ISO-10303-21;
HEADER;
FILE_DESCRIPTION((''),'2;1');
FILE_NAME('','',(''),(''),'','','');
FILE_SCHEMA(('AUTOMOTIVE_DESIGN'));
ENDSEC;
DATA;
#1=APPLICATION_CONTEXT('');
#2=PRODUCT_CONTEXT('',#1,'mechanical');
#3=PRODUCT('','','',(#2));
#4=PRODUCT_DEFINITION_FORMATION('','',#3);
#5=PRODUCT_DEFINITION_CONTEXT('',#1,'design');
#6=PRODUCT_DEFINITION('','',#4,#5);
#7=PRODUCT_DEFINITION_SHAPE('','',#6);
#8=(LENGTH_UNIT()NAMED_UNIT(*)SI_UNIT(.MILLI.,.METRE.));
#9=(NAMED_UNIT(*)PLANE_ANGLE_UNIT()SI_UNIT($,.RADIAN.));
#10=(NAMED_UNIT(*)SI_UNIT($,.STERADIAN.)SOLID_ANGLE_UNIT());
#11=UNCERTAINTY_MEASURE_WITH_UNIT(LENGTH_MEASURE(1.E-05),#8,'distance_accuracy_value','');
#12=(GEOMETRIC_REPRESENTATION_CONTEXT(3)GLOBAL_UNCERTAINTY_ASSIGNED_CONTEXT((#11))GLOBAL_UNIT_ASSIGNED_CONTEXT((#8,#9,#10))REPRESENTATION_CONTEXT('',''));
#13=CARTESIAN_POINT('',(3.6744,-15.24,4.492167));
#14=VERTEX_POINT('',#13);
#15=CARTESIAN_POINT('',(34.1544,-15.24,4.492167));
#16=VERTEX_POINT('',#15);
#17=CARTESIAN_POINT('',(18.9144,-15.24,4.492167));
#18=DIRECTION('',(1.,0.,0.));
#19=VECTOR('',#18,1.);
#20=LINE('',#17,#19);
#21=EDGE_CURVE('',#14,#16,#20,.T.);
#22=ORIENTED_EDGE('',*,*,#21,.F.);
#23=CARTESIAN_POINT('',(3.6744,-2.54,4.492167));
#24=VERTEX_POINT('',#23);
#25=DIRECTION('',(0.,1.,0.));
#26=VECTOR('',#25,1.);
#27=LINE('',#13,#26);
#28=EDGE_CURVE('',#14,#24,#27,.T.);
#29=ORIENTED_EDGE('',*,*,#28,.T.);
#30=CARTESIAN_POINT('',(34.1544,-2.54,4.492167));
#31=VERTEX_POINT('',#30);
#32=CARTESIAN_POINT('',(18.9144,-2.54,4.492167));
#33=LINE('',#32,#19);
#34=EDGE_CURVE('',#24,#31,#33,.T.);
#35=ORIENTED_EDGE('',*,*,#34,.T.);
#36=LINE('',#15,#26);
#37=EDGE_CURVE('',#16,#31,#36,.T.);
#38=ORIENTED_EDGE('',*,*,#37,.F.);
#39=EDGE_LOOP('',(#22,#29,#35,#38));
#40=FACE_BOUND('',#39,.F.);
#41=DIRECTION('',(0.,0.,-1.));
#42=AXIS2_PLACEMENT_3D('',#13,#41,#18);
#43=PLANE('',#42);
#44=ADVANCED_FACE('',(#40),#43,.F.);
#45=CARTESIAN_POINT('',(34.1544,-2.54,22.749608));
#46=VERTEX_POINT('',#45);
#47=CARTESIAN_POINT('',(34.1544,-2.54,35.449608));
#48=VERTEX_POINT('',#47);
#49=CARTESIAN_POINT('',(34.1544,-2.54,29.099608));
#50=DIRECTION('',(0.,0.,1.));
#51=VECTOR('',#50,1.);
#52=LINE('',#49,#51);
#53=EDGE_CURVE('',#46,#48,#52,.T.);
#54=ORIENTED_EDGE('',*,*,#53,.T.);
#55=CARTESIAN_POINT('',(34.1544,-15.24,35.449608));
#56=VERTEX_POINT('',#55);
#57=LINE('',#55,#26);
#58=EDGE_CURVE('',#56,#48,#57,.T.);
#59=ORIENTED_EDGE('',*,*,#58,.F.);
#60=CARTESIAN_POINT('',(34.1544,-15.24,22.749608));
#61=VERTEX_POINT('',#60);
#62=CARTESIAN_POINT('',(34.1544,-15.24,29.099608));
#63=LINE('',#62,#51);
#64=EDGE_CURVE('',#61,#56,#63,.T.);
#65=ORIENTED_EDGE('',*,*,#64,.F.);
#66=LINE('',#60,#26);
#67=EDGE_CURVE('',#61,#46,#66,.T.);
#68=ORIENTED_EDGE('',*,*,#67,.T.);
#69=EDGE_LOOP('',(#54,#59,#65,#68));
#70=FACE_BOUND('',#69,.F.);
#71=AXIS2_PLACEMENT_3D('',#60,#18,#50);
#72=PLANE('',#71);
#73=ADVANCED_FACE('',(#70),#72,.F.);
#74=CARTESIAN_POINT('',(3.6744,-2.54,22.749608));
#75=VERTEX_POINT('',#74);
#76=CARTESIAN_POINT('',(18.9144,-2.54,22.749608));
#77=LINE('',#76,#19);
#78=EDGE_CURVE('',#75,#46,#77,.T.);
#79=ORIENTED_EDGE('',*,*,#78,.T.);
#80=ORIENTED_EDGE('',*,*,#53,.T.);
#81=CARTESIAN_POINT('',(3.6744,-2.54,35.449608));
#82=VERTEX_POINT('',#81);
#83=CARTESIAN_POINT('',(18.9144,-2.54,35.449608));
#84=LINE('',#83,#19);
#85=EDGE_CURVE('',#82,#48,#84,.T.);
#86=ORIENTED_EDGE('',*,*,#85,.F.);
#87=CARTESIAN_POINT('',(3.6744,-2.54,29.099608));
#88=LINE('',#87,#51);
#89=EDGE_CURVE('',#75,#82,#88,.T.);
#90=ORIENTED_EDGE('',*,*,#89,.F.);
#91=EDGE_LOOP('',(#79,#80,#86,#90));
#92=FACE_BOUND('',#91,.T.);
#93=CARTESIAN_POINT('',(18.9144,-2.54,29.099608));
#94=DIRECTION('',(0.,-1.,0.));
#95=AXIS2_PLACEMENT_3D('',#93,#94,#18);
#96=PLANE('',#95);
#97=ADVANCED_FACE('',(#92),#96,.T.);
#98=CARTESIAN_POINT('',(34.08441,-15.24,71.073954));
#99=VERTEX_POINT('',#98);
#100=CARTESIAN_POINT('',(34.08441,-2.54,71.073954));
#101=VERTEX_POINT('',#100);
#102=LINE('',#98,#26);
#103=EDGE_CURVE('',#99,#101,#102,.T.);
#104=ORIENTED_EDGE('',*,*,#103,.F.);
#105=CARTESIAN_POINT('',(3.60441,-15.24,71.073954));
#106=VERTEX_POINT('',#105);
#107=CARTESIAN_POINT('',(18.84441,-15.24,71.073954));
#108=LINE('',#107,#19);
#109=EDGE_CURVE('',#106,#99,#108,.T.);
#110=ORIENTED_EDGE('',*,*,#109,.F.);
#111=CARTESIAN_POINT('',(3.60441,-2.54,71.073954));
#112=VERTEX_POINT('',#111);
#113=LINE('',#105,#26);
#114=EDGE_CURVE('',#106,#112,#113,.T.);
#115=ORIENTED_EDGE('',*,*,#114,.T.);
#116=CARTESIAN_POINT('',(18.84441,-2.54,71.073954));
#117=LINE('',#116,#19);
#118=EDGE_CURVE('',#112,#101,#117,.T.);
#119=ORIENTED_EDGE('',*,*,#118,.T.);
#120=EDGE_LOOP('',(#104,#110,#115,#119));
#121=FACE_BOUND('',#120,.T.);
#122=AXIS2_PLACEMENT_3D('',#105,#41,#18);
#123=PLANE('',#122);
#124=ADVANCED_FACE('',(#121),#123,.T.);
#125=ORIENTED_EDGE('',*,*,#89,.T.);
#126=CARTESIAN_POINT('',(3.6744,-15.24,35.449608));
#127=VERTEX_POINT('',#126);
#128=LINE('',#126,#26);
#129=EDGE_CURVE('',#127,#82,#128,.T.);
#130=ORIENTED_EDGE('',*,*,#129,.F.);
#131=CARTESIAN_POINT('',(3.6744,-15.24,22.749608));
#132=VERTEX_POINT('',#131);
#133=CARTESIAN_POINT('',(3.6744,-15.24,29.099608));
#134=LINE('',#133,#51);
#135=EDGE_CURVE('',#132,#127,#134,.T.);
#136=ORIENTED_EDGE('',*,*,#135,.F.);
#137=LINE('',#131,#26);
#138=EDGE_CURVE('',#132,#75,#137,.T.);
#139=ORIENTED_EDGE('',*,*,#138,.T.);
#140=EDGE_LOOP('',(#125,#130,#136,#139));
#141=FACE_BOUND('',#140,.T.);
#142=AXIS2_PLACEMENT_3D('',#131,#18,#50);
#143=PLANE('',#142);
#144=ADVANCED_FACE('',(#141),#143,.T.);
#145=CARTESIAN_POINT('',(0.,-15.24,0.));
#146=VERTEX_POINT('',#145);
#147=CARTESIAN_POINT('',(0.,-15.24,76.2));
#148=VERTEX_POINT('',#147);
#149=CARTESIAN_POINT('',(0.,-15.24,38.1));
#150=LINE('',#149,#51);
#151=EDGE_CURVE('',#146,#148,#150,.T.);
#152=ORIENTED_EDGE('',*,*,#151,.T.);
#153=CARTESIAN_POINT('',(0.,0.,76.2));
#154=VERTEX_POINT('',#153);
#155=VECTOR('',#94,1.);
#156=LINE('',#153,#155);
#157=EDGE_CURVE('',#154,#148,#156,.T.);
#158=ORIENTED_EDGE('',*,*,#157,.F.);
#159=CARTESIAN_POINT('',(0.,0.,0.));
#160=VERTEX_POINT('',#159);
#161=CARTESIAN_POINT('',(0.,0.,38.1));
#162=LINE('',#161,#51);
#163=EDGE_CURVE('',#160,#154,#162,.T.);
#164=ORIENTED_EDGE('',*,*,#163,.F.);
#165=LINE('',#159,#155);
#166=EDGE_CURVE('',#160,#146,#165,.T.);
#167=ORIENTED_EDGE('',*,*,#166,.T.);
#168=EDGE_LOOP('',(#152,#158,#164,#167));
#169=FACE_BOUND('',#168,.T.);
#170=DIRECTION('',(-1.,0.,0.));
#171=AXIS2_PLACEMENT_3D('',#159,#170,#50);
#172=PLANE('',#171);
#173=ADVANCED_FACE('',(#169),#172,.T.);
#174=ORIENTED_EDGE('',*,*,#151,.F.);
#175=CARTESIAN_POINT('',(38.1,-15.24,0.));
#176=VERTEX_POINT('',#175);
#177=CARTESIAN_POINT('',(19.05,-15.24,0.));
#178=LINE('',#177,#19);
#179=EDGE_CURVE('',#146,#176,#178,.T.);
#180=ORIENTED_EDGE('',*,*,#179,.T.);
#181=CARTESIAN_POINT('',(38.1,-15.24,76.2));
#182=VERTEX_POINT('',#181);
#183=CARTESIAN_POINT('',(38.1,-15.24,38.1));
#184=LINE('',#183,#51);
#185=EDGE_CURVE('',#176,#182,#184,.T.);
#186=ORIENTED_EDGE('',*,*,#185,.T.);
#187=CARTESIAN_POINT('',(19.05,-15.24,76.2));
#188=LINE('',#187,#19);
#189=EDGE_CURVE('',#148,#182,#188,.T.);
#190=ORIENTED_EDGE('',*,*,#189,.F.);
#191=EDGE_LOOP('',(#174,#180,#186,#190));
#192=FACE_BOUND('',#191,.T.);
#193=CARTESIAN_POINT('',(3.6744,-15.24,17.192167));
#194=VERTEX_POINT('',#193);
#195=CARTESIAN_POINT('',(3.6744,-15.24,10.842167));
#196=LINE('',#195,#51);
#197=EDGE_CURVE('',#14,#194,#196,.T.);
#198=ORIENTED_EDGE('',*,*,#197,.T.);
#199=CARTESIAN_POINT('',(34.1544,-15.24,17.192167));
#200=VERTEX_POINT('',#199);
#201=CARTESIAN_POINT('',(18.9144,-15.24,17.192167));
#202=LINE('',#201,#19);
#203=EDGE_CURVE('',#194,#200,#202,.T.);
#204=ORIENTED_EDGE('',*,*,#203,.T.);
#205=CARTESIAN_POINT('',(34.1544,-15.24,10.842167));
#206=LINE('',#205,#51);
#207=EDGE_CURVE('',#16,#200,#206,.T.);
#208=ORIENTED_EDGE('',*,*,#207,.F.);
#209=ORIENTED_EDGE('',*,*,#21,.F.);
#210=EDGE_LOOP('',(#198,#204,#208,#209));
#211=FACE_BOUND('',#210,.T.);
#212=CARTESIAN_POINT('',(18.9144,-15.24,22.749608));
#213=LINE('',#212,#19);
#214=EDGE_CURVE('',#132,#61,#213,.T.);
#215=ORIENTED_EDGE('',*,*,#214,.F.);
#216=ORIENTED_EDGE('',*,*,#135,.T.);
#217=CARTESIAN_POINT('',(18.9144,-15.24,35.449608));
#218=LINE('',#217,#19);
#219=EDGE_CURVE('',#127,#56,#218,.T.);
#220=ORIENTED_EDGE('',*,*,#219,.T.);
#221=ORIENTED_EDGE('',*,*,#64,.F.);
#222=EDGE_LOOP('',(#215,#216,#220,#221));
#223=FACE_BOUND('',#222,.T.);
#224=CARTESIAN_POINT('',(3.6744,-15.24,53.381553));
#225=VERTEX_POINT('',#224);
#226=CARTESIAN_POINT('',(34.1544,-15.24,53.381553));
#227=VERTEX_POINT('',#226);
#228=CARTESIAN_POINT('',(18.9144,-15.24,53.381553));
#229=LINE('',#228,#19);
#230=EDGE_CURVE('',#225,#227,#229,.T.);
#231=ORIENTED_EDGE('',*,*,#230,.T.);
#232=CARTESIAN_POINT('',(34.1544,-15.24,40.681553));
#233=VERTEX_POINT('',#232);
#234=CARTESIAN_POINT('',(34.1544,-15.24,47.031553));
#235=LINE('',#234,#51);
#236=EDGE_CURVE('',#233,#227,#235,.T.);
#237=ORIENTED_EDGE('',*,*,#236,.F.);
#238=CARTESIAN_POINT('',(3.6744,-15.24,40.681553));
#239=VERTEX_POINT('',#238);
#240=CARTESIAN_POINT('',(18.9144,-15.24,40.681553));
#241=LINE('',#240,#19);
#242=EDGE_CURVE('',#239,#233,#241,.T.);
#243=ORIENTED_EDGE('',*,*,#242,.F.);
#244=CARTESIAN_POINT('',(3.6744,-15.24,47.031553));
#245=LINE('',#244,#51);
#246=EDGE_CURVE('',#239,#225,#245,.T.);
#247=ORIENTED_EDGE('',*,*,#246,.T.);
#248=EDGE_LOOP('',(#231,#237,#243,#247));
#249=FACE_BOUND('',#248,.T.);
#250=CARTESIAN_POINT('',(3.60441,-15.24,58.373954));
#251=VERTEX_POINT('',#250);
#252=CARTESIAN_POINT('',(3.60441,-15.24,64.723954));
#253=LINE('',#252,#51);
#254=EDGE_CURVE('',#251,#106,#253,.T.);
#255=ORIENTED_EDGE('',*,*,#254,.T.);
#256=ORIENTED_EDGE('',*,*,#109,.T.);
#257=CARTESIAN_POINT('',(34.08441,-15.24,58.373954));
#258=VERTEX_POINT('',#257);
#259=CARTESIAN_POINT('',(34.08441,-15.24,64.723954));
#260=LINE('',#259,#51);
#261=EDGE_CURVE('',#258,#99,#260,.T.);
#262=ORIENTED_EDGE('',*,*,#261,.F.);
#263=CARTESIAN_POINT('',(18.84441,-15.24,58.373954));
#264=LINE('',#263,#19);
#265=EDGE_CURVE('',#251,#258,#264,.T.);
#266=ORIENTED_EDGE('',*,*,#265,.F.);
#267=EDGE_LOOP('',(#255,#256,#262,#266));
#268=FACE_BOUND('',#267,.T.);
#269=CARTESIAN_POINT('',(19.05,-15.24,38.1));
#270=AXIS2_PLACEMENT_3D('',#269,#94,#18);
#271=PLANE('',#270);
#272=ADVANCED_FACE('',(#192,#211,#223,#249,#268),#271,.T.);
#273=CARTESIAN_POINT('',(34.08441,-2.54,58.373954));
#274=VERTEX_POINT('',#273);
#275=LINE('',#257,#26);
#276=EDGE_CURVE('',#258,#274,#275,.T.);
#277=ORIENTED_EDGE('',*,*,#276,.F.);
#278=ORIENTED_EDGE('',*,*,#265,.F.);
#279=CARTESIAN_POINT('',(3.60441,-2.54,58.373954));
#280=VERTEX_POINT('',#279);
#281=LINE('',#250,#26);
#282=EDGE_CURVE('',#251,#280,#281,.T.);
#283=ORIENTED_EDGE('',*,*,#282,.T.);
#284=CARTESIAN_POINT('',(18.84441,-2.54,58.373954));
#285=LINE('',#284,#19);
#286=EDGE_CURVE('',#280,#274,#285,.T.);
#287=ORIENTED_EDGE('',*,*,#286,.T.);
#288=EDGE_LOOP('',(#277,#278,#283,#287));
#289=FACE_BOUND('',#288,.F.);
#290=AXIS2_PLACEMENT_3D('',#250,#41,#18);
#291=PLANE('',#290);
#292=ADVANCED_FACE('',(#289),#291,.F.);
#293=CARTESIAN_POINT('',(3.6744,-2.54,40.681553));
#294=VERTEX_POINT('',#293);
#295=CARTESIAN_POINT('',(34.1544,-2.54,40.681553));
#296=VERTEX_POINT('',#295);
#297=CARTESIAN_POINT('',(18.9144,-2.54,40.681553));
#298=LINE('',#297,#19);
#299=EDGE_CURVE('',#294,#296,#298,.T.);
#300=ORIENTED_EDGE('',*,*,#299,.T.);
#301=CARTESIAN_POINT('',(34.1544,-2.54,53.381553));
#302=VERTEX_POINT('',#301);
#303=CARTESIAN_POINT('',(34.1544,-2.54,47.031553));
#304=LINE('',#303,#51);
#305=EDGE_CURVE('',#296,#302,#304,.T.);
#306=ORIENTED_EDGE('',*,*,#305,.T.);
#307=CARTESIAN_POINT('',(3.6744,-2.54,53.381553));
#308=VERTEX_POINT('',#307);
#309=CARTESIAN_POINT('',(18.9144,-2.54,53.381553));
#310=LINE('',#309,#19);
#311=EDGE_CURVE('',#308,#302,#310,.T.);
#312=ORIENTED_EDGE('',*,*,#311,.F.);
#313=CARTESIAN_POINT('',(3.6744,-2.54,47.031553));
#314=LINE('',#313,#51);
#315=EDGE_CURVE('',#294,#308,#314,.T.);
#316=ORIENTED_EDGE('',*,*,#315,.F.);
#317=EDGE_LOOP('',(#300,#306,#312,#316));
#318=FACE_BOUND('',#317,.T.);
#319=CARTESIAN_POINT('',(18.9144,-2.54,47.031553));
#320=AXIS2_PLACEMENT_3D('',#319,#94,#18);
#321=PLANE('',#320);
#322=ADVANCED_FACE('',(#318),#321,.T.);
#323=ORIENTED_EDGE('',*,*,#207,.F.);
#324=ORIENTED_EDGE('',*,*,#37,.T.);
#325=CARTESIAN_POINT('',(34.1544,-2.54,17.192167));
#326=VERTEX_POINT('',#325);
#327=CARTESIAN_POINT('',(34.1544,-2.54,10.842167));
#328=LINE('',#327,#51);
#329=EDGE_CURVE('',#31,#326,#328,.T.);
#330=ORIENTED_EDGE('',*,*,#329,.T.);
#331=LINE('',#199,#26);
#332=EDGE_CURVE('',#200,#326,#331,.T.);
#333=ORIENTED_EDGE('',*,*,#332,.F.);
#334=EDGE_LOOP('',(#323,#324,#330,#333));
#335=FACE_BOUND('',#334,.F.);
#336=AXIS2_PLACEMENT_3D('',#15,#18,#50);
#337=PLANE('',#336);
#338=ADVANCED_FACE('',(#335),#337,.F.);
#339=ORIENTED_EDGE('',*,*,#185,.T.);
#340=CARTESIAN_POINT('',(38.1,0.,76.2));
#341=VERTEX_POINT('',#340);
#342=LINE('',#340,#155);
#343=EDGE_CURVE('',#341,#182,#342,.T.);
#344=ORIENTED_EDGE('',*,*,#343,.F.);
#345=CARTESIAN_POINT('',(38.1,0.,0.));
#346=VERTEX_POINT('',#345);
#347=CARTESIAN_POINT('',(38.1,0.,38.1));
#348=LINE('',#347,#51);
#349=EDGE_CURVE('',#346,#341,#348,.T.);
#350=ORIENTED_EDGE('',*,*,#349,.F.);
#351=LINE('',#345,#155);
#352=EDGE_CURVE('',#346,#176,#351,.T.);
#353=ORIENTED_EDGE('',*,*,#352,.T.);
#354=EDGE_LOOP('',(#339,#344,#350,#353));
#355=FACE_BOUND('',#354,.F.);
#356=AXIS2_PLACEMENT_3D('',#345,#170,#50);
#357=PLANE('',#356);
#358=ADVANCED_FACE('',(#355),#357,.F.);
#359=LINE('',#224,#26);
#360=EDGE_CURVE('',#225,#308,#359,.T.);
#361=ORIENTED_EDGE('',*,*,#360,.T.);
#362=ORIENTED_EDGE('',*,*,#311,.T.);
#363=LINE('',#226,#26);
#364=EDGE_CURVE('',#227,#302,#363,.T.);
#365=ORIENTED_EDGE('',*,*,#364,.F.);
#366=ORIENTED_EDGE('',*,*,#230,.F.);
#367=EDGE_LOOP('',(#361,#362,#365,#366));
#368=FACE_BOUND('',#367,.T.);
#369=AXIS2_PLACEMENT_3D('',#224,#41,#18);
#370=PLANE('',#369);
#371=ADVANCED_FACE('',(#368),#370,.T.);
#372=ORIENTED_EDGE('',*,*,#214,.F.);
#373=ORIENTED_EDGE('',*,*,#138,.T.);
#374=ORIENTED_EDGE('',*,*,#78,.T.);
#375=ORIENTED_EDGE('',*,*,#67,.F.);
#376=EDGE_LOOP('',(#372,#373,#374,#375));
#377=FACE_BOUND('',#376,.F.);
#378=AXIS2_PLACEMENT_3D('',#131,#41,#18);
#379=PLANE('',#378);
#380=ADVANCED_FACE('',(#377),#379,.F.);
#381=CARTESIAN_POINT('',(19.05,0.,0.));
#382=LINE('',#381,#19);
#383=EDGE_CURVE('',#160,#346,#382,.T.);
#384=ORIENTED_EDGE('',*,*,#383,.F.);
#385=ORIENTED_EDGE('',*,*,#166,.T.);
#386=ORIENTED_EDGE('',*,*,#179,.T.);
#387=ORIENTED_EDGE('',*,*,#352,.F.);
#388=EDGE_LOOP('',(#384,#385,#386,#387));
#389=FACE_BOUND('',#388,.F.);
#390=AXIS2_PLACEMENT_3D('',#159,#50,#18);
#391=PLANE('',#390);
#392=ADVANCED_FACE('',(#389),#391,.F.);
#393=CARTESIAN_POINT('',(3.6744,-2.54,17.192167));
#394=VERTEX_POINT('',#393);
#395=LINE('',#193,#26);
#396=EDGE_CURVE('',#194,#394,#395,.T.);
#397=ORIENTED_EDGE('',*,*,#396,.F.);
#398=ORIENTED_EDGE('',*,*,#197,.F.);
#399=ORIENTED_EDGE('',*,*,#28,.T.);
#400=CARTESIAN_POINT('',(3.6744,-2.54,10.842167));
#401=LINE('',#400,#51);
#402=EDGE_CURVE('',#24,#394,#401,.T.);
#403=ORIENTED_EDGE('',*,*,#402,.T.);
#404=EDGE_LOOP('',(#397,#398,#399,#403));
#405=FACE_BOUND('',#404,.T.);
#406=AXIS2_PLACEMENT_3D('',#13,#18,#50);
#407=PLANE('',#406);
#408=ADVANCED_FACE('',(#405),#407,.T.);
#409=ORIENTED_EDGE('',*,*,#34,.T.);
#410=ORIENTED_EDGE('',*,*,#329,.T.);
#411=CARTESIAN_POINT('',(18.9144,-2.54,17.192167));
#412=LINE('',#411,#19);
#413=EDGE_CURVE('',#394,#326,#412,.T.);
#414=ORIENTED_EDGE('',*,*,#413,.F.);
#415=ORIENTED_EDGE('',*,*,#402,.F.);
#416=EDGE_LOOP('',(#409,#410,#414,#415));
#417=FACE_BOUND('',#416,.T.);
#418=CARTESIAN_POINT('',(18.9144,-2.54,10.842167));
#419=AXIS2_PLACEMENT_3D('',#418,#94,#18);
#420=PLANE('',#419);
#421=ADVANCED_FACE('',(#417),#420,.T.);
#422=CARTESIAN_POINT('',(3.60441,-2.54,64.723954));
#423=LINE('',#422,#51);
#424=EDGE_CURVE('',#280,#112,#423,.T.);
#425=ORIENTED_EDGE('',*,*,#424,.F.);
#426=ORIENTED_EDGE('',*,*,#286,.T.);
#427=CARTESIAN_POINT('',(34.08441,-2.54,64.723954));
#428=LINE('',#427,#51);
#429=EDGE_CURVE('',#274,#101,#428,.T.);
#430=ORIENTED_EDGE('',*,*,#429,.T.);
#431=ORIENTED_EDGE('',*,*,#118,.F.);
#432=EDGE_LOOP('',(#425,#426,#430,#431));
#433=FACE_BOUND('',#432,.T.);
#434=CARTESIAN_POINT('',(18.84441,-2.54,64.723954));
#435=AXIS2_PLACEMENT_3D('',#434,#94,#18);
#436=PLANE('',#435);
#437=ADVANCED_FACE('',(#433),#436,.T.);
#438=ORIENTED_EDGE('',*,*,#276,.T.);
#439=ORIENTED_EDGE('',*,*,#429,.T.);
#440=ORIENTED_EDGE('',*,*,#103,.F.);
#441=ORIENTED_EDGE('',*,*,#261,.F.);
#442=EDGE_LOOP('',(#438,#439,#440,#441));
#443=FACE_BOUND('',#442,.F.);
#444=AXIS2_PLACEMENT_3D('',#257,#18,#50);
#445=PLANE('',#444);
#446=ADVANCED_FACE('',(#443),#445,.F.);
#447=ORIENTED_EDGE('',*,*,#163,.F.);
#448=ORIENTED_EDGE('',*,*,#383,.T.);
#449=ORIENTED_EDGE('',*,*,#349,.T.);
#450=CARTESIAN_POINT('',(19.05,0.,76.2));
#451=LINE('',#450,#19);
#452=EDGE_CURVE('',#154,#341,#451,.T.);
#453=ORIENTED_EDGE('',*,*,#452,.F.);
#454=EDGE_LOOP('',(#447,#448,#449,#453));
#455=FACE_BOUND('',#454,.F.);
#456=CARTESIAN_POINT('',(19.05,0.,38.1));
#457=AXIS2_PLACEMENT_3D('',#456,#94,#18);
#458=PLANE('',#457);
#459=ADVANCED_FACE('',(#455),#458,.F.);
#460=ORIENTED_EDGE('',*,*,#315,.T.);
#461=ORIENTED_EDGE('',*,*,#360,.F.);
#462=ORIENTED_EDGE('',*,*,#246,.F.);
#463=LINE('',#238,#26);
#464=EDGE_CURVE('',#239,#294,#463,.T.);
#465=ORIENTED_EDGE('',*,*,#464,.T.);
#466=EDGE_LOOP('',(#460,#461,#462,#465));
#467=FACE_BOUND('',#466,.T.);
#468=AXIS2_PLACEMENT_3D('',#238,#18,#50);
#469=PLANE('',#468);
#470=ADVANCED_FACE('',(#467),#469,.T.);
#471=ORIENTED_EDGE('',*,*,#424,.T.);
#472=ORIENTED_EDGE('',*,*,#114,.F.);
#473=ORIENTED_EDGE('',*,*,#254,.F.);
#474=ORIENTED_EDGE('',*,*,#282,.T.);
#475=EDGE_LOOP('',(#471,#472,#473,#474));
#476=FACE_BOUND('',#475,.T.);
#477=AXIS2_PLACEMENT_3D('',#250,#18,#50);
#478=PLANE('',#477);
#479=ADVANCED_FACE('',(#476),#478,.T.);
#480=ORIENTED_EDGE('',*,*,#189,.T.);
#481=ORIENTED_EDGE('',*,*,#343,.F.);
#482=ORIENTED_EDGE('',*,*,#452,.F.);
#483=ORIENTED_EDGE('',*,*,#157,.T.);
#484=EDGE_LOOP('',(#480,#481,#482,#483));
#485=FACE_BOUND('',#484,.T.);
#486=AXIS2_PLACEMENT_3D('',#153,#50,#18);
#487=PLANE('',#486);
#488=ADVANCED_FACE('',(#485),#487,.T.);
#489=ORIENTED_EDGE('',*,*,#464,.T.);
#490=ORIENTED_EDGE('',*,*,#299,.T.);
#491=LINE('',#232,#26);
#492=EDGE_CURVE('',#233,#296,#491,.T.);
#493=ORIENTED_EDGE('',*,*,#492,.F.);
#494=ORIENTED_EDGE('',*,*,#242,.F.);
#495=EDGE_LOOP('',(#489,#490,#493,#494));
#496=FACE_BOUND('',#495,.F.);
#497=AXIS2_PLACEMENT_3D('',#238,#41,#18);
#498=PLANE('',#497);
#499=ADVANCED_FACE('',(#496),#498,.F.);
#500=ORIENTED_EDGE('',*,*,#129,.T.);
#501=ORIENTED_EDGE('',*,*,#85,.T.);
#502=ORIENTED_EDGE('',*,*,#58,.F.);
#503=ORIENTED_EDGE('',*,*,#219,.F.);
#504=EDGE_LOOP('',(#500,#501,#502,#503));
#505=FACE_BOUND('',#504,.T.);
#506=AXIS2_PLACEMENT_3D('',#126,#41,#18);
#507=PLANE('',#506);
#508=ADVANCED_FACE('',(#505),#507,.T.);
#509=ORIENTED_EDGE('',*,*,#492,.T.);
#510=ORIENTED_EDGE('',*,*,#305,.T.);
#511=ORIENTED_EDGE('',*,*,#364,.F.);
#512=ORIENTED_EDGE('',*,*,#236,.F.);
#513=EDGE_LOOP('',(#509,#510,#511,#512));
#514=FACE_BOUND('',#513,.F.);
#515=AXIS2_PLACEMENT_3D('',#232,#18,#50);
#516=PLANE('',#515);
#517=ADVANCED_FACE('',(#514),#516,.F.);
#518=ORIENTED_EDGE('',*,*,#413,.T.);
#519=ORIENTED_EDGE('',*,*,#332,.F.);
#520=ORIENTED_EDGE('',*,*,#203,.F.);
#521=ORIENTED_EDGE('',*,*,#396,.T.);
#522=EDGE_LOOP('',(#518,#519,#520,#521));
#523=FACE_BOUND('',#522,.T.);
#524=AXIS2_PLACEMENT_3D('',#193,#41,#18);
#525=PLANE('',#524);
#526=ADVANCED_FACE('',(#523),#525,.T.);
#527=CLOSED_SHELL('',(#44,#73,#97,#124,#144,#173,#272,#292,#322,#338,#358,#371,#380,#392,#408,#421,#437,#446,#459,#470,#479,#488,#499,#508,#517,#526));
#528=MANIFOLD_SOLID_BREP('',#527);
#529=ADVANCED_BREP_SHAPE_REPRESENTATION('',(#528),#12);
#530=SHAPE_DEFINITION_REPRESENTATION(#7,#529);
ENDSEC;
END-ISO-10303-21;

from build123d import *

# Parameters (mm, degrees)
F0_W     = 38.1
F0_H     = 76.2
F1_DEPTH = 15.24
F2_W     = 30.48
F2_H     = 12.7
F3_DEPTH = 12.7


with BuildPart() as f1:
    # F0 (on Front) → F1 (new body)
    with BuildSketch(Plane.XZ):
        with Locations((19.05, 38.1)):
            Rectangle(F0_W, F0_H)
    extrude(amount=F1_DEPTH)

    # F2 (on face) → F3 (cut)
    with BuildSketch(Plane.XZ.offset(15.24)):
        with Locations((18.9144, 47.031553)):
            Rectangle(F2_W, F2_H)
        with Locations((18.9144, 29.099608)):
            Rectangle(F2_W, F2_H)
        with Locations((18.9144, 10.842167)):
            Rectangle(F2_W, F2_H)
        with Locations((18.84441, 64.723954)):
            Rectangle(F2_W, F2_H)
    extrude(amount=-F3_DEPTH, mode=Mode.SUBTRACT)


solid = f1.part
